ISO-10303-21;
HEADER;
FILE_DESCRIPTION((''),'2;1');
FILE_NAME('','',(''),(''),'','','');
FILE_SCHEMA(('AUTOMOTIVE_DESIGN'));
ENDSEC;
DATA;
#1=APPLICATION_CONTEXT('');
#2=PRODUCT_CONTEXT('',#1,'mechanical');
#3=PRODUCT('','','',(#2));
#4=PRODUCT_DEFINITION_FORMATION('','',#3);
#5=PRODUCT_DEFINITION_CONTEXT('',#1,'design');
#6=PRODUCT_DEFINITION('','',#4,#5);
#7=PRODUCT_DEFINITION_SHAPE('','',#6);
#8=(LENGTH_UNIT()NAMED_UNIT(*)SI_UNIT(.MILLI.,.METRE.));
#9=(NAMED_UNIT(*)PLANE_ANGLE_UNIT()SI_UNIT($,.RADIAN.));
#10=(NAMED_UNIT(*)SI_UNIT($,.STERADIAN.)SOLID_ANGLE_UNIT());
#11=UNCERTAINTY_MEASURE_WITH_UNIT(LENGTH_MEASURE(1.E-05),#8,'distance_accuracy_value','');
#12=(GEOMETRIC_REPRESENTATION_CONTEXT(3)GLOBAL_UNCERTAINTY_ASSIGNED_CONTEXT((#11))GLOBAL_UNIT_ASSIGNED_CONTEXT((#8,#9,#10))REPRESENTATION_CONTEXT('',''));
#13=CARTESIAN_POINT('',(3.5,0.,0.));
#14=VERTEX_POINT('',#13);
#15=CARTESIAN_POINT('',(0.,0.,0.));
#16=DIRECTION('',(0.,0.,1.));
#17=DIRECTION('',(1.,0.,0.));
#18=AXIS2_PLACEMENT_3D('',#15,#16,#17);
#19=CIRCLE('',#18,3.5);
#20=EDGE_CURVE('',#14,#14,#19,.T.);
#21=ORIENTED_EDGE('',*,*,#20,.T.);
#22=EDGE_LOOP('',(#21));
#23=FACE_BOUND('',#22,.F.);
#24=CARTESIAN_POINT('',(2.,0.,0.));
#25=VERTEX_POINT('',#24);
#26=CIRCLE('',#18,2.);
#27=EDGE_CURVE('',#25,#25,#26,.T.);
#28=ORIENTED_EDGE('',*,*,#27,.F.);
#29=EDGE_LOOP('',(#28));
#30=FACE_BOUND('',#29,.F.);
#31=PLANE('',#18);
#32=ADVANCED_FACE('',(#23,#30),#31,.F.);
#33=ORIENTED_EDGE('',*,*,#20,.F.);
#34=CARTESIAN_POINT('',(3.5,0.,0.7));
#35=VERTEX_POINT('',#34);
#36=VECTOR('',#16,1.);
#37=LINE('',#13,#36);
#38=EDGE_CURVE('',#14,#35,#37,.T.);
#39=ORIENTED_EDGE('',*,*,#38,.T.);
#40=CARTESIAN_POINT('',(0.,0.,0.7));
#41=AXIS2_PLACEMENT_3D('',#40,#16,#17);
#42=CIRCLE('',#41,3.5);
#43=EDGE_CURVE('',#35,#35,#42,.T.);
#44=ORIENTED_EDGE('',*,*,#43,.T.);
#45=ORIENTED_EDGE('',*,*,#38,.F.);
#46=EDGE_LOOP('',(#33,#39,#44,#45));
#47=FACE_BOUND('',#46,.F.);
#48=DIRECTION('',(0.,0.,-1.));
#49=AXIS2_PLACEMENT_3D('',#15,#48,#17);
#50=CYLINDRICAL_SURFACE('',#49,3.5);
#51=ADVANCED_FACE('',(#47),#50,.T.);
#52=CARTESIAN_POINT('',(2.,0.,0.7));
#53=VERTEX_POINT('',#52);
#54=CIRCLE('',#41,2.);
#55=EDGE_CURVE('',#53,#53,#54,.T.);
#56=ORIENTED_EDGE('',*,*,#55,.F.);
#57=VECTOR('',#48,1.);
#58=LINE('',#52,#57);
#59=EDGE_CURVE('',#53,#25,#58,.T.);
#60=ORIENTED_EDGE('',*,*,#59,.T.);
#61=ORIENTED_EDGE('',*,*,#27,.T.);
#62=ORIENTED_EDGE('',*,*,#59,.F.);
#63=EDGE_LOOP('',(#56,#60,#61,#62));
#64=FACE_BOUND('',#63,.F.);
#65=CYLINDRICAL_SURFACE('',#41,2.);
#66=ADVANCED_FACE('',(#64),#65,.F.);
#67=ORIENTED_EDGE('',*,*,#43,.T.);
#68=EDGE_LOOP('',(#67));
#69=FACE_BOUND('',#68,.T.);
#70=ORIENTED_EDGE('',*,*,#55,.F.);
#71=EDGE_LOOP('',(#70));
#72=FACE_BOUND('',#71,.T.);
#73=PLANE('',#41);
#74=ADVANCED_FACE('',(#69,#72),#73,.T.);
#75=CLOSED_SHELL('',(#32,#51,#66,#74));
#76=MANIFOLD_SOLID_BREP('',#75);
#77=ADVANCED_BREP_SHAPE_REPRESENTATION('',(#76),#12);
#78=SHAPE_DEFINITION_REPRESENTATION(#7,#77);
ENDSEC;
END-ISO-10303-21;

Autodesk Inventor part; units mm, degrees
ref_plane "YZ Plane" through (0, 0, 0) normal (1, 0, 0) x (0, 1, 0)
ref_plane "XZ Plane" through (0, 0, 0) normal (0, 1, 0) x (-1, 0, 0)
ref_plane "XY Plane" through (0, 0, 0) normal (0, 0, 1) x (1, 0, 0)
sketch "Sketch1" plane through (0, 0, 0) normal (0, 0, 1) x (1, 0, 0)
  circle A0 centre (0, 0) radius 3.5
  dimension "d0" = 7
extrude "Extrusion1" add sketch "Sketch1" along normal blind 0.7
sketch "Sketch2" plane through (0, 0, 0.7) normal (0, 0, 1) x (1, 0, 0)
  circle A0 centre (0, 0) radius 2
  dimension "d3" = 4
extrude "Extrusion2" cut sketch "Sketch2" against normal through all
properties part number "bolts2"
